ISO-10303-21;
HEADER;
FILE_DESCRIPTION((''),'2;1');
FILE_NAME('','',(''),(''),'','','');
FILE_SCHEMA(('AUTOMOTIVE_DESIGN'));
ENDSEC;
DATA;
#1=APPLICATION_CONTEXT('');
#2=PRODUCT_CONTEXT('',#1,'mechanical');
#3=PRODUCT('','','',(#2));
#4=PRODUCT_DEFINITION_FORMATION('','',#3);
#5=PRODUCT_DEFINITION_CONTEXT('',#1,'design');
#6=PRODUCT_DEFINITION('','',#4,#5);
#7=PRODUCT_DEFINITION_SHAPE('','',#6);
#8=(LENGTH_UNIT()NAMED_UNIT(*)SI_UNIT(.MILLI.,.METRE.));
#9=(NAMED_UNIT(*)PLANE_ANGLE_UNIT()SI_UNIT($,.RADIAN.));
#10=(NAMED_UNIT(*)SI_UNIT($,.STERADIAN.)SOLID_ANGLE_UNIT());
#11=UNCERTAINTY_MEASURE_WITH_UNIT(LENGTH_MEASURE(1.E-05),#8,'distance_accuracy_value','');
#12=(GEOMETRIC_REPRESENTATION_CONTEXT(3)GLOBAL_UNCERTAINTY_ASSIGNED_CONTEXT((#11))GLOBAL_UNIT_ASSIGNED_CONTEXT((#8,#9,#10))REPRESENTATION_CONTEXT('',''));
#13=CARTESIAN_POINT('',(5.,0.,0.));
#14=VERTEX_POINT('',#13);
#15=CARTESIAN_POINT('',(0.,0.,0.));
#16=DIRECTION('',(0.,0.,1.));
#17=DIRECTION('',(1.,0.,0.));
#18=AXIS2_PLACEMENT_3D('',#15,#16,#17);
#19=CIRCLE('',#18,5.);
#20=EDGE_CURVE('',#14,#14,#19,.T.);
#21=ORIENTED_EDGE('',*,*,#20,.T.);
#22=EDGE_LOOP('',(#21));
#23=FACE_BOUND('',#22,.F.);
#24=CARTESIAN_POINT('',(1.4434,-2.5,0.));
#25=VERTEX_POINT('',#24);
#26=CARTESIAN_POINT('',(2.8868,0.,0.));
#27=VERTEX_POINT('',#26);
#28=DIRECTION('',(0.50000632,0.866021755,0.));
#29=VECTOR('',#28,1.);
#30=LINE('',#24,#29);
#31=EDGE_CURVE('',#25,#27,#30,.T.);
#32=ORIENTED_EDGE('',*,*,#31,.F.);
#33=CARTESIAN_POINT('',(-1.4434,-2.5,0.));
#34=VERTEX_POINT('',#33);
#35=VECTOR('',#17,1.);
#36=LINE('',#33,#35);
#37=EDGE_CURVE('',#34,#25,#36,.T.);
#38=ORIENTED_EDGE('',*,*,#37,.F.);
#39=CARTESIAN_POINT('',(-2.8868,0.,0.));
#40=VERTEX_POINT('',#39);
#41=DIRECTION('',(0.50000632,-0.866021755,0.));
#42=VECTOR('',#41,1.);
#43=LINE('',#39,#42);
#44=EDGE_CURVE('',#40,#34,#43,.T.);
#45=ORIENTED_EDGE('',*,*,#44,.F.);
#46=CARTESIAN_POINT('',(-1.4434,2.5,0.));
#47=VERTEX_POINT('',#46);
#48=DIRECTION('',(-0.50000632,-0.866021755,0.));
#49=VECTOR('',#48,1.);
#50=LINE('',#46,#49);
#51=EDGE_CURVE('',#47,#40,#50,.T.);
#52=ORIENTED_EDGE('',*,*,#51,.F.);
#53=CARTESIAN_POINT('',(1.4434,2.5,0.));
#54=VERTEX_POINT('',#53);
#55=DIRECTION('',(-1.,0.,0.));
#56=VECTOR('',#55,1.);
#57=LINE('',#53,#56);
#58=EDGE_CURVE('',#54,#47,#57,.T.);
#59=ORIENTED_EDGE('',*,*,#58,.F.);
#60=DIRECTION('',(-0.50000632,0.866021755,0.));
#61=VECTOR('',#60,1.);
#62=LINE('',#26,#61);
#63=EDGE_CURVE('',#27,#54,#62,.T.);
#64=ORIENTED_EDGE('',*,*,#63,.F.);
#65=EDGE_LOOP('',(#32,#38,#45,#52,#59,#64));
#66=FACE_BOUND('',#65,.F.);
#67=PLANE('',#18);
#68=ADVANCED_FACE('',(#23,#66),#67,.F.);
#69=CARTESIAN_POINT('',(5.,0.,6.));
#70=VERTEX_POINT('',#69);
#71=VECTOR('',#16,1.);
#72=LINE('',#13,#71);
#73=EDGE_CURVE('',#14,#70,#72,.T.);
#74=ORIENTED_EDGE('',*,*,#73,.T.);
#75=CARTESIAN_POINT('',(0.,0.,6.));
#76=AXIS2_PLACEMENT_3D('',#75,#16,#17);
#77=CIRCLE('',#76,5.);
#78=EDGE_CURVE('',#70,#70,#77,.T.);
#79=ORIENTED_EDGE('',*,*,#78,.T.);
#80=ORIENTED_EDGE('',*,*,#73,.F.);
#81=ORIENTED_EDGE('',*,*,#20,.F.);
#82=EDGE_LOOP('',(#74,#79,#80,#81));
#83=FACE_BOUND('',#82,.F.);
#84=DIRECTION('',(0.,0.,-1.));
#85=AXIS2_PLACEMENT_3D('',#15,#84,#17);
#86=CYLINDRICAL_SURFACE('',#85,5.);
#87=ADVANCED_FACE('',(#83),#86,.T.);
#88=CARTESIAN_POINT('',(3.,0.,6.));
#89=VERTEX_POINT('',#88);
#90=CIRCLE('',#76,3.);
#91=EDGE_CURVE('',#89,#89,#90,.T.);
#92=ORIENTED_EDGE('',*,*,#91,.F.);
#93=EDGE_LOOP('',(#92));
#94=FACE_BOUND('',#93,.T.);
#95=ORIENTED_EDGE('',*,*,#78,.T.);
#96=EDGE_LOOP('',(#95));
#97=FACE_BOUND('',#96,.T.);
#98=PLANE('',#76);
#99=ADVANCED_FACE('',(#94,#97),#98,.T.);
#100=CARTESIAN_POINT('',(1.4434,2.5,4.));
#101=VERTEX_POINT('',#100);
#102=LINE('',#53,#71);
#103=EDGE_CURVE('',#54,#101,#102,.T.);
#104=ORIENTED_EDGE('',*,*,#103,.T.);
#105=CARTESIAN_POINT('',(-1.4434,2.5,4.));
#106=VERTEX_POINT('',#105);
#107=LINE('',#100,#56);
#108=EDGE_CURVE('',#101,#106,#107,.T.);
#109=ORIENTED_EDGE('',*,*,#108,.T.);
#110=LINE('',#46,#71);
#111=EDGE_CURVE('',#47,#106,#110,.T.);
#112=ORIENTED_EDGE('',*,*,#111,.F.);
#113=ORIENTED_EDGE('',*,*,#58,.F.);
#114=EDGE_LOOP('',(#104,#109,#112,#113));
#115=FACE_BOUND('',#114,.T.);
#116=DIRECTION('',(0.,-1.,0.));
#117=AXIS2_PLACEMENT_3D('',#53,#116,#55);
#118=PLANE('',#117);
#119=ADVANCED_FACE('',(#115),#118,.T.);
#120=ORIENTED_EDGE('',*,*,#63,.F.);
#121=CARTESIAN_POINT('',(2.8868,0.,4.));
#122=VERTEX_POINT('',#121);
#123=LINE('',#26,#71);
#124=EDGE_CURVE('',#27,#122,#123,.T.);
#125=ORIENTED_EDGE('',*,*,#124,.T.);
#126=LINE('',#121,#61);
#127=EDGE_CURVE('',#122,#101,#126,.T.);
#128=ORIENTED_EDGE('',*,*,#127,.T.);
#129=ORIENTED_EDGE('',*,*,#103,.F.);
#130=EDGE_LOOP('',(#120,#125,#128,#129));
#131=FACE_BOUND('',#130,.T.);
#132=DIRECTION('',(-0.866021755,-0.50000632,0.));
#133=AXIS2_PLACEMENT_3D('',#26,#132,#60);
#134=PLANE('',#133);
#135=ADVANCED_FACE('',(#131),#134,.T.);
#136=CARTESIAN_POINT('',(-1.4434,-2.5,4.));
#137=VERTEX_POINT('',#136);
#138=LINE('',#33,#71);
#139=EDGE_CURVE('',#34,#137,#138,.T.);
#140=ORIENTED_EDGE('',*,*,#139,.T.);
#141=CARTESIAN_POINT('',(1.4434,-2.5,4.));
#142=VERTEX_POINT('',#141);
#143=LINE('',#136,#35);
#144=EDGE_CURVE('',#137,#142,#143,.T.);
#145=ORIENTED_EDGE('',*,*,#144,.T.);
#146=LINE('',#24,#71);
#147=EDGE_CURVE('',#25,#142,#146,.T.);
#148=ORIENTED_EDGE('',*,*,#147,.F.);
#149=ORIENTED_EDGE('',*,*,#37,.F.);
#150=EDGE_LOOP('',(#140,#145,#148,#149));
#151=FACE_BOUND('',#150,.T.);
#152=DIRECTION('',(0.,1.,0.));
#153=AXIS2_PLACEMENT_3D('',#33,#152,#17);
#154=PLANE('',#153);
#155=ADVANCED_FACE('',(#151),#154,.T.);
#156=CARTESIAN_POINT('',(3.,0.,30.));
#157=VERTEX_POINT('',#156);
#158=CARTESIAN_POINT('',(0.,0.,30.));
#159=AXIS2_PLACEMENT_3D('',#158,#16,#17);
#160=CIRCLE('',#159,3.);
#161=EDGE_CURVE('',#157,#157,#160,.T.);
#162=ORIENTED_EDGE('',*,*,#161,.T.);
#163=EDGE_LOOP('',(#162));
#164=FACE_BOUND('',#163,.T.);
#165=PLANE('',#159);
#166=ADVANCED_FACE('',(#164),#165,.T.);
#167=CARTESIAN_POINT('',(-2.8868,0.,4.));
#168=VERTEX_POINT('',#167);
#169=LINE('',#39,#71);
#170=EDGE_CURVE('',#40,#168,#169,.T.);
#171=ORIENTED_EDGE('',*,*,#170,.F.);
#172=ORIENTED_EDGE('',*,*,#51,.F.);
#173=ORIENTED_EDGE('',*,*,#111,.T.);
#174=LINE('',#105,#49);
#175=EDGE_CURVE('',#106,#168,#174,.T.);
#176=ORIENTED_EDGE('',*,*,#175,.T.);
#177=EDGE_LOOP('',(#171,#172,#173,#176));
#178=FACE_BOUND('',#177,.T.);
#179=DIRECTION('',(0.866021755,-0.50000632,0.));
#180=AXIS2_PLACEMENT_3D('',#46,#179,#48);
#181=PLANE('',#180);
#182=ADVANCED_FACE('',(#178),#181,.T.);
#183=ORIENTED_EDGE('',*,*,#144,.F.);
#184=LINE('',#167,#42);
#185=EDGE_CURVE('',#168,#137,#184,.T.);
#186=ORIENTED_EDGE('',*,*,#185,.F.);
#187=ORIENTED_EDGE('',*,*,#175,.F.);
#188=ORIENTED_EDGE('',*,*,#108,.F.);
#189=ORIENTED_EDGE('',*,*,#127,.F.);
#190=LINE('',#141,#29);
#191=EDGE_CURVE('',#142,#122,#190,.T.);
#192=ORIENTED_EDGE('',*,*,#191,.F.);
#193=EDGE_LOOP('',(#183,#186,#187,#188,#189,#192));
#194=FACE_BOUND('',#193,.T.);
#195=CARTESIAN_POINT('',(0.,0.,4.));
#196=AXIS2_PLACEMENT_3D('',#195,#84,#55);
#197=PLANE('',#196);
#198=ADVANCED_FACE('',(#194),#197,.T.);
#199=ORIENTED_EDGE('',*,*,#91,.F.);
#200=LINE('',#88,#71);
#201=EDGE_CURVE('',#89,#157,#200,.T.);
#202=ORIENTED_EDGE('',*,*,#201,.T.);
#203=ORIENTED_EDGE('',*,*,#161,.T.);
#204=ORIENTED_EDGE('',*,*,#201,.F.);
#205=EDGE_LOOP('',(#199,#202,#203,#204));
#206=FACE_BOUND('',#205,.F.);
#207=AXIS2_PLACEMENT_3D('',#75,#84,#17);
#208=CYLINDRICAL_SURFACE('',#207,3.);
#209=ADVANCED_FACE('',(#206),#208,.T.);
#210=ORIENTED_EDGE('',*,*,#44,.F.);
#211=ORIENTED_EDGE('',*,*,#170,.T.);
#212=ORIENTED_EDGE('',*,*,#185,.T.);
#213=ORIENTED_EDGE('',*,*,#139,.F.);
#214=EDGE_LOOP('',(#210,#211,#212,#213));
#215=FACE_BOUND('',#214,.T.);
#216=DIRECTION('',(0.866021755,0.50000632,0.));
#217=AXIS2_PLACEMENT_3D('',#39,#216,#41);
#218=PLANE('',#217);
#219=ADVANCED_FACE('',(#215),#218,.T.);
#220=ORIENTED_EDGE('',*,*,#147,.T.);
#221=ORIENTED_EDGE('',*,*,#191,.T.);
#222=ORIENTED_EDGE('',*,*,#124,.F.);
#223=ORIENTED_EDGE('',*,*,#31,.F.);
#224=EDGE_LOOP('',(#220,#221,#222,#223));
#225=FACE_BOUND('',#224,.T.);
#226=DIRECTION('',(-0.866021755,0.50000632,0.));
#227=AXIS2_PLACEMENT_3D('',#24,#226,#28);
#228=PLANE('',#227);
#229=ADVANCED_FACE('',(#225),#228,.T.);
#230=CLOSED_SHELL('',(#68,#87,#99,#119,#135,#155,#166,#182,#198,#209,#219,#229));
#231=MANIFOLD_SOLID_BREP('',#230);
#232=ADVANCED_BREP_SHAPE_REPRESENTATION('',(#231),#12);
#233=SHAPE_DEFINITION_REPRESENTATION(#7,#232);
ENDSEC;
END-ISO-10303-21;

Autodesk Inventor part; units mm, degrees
ref_plane "YZ Plane" through (0, 0, 0) normal (1, 0, 0) x (0, 1, 0)
ref_plane "XZ Plane" through (0, 0, 0) normal (0, 1, 0) x (-1, 0, 0)
ref_plane "XY Plane" through (0, 0, 0) normal (0, 0, 1) x (1, 0, 0)
sketch "Sketch1" plane through (0, 0, 0) normal (0, 0, 1) x (1, 0, 0)
  circle A0 centre (0, 0) radius 5
  dimension "d0" = 10
extrude "Extrusion1" add sketch "Sketch1" along normal blind 6
sketch "Sketch2" plane through (0, 0, 6) normal (0, 0, 1) x (1, 0, 0)
  circle A0 centre (0, 0) radius 5 projected
  circle A1 centre (0, 0) radius 3
  dimension "d3" = 6
extrude "Extrusion2" add sketch "Sketch2" along normal blind 24 contours A1
sketch "Sketch3" plane through (0, 0, 0) normal (0, 0, -1) x (-1, 0, 0)
  circle A0 centre (0, 0) radius 5 projected
  line L0 (2.8868, 0) -> (1.4434, -2.5)
  line L1 (1.4434, -2.5) -> (-1.4434, -2.5)
  line L2 (-1.4434, -2.5) -> (-2.8868, 0)
  line L3 (-2.8868, 0) -> (-1.4434, 2.5)
  line L4 (-1.4434, 2.5) -> (1.4434, 2.5)
  line L5 (1.4434, 2.5) -> (2.8868, 0)
  dimension "d6" = 5
extrude "Extrusion3" cut sketch "Sketch3" against normal blind 4 contours L0 L1 L2 L3 L4 L5
thread "Thread1" size "M6x1" class "6g" standard "ANSI Metric M Profile" full length
properties part number "m6x1"
